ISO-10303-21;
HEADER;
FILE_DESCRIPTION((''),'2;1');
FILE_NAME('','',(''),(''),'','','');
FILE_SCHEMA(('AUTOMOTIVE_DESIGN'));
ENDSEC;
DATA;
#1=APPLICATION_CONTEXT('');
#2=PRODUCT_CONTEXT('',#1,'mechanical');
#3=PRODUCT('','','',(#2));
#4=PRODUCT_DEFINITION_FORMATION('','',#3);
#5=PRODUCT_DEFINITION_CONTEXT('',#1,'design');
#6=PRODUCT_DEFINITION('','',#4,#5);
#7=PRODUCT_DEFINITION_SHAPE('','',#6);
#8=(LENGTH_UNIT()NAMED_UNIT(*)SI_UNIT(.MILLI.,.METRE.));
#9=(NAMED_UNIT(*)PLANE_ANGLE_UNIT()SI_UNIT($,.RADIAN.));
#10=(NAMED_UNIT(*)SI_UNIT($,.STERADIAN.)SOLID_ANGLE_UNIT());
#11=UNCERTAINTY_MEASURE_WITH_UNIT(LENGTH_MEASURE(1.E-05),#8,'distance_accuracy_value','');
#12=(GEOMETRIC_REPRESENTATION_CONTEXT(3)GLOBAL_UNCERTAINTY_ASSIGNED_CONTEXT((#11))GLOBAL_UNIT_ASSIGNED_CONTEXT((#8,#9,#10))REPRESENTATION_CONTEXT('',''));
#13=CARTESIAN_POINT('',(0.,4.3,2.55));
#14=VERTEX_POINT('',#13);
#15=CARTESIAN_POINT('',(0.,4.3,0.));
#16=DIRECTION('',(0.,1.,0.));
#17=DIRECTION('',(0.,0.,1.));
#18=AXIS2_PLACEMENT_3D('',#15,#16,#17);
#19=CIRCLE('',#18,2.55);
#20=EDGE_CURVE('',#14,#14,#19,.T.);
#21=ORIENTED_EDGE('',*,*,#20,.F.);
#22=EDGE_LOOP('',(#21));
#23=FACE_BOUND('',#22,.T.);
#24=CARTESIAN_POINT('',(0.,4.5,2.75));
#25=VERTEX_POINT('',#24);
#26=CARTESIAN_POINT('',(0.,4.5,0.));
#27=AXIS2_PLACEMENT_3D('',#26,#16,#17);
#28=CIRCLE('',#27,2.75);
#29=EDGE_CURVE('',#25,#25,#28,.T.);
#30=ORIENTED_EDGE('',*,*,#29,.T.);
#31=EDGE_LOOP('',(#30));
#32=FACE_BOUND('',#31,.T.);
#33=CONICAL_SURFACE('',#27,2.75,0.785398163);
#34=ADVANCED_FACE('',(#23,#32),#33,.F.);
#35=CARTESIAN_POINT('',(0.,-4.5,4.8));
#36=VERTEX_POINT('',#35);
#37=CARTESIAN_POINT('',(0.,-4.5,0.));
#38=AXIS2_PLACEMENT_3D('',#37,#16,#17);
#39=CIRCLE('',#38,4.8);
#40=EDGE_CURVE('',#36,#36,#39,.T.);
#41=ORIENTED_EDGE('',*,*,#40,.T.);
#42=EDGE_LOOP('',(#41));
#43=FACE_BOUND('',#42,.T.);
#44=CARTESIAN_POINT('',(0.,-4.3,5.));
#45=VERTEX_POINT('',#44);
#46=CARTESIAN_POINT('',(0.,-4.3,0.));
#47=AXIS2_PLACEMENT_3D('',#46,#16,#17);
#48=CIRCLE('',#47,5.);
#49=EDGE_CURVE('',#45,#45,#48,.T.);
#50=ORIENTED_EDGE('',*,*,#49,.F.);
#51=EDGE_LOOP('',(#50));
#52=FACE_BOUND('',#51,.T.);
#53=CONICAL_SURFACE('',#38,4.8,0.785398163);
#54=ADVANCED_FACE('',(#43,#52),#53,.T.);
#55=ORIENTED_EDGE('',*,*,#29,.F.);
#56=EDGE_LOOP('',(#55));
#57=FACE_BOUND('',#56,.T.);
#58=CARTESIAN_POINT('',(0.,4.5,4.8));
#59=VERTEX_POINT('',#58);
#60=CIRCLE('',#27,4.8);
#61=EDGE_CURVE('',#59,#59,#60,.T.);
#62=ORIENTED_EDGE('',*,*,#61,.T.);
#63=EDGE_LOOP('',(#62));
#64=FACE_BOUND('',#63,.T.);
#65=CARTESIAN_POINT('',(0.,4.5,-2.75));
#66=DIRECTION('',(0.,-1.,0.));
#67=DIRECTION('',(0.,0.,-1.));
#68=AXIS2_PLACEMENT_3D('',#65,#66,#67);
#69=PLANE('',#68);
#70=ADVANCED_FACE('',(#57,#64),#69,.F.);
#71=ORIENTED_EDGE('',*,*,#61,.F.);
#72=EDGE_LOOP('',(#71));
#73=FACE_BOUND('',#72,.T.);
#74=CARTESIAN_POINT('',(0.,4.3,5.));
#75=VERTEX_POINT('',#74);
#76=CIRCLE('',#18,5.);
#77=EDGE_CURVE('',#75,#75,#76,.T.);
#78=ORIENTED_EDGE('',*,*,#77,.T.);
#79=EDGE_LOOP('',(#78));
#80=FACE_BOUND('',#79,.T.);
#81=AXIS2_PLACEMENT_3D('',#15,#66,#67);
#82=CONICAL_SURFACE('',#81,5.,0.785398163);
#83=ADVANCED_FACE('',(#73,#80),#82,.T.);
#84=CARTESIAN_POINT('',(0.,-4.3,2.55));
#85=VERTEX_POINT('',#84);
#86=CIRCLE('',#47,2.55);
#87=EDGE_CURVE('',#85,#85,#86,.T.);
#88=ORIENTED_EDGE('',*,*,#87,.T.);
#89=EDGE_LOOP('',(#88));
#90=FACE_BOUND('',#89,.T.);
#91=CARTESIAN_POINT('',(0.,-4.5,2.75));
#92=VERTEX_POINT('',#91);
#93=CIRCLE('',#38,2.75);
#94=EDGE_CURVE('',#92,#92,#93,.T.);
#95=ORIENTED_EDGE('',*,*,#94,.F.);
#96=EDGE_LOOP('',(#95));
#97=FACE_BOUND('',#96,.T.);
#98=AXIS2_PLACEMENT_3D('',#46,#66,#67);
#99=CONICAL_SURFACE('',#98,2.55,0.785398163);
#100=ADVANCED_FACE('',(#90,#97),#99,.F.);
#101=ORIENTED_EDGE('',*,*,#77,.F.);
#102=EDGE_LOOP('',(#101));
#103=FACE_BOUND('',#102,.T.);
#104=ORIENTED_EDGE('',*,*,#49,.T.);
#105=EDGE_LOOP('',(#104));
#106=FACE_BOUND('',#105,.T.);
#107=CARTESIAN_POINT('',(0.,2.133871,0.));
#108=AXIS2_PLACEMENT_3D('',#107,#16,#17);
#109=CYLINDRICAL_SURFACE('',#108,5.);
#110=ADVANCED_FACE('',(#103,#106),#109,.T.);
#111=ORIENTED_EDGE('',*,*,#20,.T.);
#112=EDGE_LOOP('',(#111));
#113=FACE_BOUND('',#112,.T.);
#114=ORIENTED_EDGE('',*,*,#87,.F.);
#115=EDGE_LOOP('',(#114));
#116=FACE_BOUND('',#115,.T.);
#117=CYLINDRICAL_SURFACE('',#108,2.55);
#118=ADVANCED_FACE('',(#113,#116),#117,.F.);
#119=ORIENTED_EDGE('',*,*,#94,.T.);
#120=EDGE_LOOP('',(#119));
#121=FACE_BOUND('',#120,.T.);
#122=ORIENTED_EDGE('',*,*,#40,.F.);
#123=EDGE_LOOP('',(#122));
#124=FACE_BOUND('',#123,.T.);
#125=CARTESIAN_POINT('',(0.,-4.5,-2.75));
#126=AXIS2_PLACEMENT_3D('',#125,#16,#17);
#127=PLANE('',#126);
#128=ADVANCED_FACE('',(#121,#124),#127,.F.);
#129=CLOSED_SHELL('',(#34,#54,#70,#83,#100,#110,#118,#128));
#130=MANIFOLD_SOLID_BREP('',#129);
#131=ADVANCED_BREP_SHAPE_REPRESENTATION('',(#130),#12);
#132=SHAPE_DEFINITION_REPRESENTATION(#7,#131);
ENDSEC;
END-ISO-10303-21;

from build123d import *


with BuildPart() as part:
    # Sketch1 → Revolve1 (revolve)
    with BuildSketch(Plane(origin=(0, 0, 0), x_dir=(0, 0, -1), z_dir=(1, 0, 0)), mode=Mode.PRIVATE) as revolve1_sk:
        Polygon((2.55, 4.3), (2.75, 4.5), (4.8, 4.5), (5, 4.3), (5, -4.3), (4.8, -4.5), (2.75, -4.5), (2.55, -4.3), align=None)
    revolve(revolve1_sk.sketch.rotate(Axis((0, 2.133870968, 0), (0, -1, 0)), 180), axis=Axis((0, 2.133870968, 0), (0, -1, 0)))


solid = part.part
